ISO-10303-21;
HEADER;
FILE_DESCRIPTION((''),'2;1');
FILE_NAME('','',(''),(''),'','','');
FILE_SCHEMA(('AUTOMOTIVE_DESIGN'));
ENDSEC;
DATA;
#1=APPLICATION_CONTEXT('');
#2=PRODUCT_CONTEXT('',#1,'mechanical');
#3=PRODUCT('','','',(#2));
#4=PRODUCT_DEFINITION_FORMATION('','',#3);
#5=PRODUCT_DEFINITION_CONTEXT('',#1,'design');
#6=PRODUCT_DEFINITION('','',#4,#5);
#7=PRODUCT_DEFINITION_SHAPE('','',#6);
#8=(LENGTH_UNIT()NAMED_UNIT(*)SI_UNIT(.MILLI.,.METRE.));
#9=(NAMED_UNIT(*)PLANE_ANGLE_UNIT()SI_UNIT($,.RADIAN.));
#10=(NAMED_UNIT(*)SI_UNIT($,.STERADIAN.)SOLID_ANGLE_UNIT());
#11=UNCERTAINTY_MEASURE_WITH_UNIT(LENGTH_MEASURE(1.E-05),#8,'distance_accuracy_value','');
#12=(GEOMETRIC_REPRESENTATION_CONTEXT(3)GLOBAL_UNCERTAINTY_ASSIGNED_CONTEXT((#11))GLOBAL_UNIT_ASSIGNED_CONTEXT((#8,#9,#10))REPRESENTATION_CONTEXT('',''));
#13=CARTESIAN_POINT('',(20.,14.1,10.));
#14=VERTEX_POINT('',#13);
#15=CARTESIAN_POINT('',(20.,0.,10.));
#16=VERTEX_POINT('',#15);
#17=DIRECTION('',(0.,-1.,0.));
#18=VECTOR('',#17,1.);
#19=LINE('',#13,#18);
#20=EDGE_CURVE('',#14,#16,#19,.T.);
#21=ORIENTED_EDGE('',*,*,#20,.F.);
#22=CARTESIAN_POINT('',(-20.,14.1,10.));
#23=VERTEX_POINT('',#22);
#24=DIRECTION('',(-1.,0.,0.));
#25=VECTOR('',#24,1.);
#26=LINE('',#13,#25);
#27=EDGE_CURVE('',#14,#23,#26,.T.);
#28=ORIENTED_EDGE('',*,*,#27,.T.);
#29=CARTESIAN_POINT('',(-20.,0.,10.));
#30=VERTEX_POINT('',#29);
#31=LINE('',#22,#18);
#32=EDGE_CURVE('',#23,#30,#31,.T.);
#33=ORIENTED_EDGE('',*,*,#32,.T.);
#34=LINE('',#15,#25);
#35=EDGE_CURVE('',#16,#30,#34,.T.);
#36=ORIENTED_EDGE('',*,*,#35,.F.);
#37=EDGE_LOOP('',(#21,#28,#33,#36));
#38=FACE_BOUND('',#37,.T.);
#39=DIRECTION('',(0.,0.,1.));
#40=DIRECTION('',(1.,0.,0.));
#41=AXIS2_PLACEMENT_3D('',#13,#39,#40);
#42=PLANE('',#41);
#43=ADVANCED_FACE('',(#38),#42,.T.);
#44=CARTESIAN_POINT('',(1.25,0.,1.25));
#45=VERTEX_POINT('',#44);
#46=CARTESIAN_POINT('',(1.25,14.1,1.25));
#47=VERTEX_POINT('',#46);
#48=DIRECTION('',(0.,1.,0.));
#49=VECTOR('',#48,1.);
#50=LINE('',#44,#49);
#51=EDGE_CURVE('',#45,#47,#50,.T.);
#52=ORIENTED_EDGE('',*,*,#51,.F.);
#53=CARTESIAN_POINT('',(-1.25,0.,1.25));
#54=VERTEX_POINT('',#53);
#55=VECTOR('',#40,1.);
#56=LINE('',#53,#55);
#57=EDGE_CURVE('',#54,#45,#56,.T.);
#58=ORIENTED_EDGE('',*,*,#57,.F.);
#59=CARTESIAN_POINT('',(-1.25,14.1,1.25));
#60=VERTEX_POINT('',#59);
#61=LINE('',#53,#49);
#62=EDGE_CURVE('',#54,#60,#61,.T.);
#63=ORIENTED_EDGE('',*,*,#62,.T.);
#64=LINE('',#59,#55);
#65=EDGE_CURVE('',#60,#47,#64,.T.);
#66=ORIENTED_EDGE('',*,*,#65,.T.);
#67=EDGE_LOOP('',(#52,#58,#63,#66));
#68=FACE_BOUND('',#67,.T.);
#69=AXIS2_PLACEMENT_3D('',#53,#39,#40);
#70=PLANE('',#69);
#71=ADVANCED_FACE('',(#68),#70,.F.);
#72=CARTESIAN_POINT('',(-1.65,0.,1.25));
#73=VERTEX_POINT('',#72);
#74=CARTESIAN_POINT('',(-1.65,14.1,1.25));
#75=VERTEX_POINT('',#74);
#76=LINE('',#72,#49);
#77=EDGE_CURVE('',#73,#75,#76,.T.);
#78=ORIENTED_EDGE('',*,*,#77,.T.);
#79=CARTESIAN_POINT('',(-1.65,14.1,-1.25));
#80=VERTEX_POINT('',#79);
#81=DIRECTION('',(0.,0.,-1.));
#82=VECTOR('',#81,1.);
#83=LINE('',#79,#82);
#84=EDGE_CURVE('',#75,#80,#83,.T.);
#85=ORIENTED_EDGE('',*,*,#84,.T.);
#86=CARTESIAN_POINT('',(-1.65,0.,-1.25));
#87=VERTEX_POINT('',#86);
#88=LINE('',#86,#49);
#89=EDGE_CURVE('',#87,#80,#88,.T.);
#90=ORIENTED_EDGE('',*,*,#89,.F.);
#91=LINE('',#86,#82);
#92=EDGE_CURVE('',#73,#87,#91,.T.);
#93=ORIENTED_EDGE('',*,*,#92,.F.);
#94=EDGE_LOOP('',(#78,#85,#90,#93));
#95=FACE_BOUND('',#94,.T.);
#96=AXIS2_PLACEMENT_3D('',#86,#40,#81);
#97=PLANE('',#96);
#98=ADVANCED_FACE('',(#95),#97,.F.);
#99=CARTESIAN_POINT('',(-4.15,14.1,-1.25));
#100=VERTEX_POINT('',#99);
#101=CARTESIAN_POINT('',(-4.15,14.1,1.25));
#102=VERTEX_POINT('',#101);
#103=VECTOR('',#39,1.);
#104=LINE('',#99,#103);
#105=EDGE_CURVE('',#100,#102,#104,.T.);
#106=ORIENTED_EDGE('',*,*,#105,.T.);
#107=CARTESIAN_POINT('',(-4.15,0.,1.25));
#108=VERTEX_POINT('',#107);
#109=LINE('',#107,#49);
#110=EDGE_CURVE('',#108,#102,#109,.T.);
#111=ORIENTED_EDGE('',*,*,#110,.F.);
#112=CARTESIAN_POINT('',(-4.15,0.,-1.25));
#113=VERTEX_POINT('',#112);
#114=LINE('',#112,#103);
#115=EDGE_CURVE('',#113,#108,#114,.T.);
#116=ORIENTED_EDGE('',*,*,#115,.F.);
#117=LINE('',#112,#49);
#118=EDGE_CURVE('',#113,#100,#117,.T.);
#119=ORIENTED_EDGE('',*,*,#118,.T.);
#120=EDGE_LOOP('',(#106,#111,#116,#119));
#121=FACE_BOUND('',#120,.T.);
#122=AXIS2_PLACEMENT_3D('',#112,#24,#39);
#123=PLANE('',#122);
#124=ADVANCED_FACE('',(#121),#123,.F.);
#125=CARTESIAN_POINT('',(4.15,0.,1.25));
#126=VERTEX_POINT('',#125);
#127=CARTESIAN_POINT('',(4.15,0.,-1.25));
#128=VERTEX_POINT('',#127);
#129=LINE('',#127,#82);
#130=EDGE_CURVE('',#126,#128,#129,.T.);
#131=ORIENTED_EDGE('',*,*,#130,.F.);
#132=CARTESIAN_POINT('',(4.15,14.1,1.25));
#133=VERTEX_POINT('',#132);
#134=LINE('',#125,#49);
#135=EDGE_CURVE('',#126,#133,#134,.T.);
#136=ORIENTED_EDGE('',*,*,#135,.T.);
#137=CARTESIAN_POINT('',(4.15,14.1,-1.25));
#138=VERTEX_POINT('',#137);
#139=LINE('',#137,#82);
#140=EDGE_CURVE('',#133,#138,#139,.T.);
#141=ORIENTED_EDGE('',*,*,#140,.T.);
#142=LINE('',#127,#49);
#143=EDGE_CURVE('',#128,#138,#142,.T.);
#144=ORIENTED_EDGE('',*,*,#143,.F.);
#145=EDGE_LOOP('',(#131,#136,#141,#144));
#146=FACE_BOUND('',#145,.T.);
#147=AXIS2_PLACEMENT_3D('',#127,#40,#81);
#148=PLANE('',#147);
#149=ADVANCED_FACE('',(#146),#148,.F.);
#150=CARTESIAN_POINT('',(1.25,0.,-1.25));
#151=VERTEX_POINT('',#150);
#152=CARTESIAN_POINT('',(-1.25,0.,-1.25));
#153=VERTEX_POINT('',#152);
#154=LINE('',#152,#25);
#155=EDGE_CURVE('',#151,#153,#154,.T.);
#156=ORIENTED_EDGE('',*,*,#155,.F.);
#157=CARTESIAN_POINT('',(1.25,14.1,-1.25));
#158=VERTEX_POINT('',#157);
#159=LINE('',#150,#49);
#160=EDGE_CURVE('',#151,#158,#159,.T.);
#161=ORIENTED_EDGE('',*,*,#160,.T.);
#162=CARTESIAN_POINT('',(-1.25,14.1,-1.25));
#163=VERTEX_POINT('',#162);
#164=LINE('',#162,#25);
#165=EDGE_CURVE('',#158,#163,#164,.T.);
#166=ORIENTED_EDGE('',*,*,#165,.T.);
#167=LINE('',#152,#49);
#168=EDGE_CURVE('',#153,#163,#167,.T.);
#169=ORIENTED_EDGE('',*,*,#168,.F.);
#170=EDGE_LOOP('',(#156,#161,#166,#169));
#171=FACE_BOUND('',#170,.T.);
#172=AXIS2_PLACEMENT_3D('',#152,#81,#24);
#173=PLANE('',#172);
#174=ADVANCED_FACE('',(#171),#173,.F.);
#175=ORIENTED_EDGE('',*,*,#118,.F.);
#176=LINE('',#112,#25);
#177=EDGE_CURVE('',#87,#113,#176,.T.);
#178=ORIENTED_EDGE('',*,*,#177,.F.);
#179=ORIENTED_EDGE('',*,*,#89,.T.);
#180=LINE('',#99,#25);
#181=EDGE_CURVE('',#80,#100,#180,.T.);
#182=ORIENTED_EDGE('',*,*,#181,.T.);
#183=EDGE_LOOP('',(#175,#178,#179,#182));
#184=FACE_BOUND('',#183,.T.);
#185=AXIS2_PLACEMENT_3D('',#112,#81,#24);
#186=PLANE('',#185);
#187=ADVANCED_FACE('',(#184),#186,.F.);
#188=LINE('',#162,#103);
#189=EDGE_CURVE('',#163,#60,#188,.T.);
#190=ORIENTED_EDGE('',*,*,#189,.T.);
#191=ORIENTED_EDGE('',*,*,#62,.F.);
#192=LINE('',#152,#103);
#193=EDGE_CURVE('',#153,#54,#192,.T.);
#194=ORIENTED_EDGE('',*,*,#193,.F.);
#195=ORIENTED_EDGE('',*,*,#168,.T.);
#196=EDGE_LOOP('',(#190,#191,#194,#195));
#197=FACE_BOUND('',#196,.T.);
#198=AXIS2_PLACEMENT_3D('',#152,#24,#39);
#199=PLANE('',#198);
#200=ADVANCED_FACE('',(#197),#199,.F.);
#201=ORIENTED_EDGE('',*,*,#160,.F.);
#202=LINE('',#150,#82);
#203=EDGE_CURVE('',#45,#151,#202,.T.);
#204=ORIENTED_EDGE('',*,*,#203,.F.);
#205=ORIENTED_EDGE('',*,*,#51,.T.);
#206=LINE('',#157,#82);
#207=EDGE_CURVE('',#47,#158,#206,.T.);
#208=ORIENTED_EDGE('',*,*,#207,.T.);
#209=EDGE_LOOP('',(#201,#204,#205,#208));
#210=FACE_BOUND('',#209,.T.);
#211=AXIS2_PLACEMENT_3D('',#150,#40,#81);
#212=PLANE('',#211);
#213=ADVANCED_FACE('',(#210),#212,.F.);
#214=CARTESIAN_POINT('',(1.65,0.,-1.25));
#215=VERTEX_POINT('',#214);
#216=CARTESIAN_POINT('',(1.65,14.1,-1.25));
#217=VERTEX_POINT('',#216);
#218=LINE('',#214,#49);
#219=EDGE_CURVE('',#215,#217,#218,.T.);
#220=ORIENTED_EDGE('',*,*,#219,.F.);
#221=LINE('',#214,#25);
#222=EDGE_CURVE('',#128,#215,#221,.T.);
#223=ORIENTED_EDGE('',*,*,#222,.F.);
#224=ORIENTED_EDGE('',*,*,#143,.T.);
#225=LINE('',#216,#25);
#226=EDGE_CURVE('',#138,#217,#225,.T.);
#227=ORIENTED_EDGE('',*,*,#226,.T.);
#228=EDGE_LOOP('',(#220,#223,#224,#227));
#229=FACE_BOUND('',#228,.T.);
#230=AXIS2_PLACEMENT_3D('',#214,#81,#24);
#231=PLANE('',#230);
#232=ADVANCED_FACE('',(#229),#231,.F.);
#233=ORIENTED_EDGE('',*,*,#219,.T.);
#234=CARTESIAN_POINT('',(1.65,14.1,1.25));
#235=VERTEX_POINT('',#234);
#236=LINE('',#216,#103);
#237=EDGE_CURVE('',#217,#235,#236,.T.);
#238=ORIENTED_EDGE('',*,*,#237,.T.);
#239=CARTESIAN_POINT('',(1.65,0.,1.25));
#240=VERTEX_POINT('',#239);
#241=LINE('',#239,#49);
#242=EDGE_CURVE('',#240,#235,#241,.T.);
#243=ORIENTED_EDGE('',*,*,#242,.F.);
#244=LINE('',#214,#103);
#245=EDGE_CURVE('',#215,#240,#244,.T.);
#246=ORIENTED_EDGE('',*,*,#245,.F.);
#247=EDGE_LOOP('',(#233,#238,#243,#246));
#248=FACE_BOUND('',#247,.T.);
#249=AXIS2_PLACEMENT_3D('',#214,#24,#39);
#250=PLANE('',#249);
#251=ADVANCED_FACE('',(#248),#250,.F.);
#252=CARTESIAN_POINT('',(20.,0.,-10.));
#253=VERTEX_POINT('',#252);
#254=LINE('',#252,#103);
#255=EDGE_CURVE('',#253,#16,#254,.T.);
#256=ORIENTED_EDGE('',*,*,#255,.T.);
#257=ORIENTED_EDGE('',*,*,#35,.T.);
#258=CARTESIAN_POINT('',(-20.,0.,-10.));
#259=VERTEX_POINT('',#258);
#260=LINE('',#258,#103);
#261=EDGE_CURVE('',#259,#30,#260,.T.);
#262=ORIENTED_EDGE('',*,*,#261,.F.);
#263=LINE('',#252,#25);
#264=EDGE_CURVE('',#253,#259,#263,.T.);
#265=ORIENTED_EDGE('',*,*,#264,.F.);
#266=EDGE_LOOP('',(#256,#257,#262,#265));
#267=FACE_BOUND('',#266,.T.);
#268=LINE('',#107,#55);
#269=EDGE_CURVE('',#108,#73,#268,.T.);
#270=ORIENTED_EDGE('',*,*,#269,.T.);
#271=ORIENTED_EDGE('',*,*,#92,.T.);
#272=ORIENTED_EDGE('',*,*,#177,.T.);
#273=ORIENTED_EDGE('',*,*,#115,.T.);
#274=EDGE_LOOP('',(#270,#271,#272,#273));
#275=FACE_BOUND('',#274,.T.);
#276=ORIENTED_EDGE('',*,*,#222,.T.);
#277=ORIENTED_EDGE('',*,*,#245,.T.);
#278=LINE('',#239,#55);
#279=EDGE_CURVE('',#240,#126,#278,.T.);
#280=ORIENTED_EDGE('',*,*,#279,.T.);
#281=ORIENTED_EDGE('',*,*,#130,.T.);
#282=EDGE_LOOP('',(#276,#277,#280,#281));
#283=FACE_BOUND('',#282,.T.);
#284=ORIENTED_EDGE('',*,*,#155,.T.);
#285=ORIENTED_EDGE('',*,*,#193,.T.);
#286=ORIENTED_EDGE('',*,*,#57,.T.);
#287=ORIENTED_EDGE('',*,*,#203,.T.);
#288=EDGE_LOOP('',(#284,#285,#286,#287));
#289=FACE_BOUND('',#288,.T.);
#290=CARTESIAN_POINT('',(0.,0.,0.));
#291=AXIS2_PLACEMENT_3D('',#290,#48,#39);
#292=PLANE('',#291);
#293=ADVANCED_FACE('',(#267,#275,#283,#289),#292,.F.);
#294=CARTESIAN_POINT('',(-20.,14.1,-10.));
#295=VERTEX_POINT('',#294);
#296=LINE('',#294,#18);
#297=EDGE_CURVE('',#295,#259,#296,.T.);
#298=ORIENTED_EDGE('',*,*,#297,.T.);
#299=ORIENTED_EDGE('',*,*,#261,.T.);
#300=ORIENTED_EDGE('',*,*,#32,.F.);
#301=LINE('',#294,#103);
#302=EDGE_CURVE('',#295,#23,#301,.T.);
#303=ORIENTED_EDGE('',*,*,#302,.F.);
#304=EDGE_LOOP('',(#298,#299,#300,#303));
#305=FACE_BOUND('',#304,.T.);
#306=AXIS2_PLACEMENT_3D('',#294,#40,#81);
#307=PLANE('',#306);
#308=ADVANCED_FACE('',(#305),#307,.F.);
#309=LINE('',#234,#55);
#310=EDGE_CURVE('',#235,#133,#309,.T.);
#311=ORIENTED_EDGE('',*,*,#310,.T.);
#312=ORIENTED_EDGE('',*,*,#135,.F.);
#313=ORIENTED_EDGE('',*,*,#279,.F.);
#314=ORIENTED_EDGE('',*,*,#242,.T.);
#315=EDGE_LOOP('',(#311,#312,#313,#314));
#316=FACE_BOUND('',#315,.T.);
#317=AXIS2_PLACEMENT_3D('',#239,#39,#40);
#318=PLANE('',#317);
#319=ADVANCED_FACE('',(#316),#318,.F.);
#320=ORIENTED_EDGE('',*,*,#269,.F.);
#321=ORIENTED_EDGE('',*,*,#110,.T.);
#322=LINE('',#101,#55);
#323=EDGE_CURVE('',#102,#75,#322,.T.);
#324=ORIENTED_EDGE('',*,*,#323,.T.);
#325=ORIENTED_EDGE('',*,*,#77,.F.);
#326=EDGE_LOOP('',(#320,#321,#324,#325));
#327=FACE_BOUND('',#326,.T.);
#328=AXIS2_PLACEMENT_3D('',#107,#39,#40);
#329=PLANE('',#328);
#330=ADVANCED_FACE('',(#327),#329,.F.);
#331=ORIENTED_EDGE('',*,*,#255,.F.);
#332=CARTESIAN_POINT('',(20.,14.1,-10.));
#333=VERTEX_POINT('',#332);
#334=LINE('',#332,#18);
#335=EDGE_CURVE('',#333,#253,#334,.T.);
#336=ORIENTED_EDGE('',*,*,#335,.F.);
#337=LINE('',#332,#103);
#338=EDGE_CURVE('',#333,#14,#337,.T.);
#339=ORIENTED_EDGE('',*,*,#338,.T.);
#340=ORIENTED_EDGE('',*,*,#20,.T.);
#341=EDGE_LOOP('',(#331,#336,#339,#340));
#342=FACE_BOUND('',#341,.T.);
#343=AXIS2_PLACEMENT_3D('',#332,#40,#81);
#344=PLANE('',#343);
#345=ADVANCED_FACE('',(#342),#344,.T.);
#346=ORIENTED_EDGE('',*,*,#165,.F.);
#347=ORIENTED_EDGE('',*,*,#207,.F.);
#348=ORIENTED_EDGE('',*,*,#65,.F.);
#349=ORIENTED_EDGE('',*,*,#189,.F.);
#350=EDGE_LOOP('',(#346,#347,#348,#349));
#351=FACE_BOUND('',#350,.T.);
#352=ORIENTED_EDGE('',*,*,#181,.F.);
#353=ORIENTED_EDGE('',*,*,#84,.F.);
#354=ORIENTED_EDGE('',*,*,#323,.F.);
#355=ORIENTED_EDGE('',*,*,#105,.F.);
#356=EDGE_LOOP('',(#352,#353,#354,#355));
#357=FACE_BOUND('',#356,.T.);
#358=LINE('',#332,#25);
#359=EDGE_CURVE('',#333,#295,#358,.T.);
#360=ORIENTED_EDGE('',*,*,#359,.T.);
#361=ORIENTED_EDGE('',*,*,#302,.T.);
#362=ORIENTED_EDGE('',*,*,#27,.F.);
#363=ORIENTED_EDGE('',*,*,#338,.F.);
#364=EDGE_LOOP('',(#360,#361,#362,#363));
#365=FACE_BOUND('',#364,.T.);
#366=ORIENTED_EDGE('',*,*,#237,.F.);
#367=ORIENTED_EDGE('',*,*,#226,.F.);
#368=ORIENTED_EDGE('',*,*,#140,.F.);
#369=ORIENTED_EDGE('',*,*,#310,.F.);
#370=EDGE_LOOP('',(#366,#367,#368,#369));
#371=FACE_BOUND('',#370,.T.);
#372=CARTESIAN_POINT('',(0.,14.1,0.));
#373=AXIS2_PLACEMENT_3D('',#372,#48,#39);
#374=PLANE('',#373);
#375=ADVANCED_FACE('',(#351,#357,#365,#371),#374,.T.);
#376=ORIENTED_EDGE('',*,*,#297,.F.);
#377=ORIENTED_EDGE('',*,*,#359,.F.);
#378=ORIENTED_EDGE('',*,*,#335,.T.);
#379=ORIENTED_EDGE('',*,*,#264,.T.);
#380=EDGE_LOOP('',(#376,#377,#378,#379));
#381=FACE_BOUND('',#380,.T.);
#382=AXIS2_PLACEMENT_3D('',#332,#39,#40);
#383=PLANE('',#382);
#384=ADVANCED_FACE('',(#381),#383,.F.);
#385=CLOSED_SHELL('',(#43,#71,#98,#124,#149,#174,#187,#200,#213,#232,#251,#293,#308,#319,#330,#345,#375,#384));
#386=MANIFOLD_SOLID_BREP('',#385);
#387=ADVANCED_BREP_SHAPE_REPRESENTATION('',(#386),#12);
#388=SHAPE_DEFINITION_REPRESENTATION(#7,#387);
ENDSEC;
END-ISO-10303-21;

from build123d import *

# Parameters (mm, degrees)
ESQUISSE1_W             = 40
ESQUISSE1_H             = 20
BOSS_EXTRU_2_DEPTH      = 14.1
ESQUISSE2_W             = 2.5
ESQUISSE2_H             = 2.5
ENL_V_MAT_EXTRU_1_DEPTH = 27.435014659


with BuildPart() as part:
    # Esquisse1 → Boss.-Extru.2 (new body)
    with BuildSketch(Plane(origin=(0, 0, 0), x_dir=(1, 0, 0), z_dir=(0, 1, 0))):
        Rectangle(ESQUISSE1_W, ESQUISSE1_H)
    extrude(amount=BOSS_EXTRU_2_DEPTH)

    # Esquisse2 → Enlèv. mat.-Extru.1 (cut, through all)
    with BuildSketch(Plane(origin=(0, 14.1, 0), x_dir=(1, 0, 0), z_dir=(0, 1, 0))):
        with Locations((-2.9, 0)):
            Rectangle(ESQUISSE2_W, ESQUISSE2_H)
        Rectangle(ESQUISSE2_W, ESQUISSE2_H)
        with Locations((2.9, 0)):
            Rectangle(ESQUISSE2_W, ESQUISSE2_H)
    extrude(amount=-ENL_V_MAT_EXTRU_1_DEPTH, mode=Mode.SUBTRACT)


solid = part.part
